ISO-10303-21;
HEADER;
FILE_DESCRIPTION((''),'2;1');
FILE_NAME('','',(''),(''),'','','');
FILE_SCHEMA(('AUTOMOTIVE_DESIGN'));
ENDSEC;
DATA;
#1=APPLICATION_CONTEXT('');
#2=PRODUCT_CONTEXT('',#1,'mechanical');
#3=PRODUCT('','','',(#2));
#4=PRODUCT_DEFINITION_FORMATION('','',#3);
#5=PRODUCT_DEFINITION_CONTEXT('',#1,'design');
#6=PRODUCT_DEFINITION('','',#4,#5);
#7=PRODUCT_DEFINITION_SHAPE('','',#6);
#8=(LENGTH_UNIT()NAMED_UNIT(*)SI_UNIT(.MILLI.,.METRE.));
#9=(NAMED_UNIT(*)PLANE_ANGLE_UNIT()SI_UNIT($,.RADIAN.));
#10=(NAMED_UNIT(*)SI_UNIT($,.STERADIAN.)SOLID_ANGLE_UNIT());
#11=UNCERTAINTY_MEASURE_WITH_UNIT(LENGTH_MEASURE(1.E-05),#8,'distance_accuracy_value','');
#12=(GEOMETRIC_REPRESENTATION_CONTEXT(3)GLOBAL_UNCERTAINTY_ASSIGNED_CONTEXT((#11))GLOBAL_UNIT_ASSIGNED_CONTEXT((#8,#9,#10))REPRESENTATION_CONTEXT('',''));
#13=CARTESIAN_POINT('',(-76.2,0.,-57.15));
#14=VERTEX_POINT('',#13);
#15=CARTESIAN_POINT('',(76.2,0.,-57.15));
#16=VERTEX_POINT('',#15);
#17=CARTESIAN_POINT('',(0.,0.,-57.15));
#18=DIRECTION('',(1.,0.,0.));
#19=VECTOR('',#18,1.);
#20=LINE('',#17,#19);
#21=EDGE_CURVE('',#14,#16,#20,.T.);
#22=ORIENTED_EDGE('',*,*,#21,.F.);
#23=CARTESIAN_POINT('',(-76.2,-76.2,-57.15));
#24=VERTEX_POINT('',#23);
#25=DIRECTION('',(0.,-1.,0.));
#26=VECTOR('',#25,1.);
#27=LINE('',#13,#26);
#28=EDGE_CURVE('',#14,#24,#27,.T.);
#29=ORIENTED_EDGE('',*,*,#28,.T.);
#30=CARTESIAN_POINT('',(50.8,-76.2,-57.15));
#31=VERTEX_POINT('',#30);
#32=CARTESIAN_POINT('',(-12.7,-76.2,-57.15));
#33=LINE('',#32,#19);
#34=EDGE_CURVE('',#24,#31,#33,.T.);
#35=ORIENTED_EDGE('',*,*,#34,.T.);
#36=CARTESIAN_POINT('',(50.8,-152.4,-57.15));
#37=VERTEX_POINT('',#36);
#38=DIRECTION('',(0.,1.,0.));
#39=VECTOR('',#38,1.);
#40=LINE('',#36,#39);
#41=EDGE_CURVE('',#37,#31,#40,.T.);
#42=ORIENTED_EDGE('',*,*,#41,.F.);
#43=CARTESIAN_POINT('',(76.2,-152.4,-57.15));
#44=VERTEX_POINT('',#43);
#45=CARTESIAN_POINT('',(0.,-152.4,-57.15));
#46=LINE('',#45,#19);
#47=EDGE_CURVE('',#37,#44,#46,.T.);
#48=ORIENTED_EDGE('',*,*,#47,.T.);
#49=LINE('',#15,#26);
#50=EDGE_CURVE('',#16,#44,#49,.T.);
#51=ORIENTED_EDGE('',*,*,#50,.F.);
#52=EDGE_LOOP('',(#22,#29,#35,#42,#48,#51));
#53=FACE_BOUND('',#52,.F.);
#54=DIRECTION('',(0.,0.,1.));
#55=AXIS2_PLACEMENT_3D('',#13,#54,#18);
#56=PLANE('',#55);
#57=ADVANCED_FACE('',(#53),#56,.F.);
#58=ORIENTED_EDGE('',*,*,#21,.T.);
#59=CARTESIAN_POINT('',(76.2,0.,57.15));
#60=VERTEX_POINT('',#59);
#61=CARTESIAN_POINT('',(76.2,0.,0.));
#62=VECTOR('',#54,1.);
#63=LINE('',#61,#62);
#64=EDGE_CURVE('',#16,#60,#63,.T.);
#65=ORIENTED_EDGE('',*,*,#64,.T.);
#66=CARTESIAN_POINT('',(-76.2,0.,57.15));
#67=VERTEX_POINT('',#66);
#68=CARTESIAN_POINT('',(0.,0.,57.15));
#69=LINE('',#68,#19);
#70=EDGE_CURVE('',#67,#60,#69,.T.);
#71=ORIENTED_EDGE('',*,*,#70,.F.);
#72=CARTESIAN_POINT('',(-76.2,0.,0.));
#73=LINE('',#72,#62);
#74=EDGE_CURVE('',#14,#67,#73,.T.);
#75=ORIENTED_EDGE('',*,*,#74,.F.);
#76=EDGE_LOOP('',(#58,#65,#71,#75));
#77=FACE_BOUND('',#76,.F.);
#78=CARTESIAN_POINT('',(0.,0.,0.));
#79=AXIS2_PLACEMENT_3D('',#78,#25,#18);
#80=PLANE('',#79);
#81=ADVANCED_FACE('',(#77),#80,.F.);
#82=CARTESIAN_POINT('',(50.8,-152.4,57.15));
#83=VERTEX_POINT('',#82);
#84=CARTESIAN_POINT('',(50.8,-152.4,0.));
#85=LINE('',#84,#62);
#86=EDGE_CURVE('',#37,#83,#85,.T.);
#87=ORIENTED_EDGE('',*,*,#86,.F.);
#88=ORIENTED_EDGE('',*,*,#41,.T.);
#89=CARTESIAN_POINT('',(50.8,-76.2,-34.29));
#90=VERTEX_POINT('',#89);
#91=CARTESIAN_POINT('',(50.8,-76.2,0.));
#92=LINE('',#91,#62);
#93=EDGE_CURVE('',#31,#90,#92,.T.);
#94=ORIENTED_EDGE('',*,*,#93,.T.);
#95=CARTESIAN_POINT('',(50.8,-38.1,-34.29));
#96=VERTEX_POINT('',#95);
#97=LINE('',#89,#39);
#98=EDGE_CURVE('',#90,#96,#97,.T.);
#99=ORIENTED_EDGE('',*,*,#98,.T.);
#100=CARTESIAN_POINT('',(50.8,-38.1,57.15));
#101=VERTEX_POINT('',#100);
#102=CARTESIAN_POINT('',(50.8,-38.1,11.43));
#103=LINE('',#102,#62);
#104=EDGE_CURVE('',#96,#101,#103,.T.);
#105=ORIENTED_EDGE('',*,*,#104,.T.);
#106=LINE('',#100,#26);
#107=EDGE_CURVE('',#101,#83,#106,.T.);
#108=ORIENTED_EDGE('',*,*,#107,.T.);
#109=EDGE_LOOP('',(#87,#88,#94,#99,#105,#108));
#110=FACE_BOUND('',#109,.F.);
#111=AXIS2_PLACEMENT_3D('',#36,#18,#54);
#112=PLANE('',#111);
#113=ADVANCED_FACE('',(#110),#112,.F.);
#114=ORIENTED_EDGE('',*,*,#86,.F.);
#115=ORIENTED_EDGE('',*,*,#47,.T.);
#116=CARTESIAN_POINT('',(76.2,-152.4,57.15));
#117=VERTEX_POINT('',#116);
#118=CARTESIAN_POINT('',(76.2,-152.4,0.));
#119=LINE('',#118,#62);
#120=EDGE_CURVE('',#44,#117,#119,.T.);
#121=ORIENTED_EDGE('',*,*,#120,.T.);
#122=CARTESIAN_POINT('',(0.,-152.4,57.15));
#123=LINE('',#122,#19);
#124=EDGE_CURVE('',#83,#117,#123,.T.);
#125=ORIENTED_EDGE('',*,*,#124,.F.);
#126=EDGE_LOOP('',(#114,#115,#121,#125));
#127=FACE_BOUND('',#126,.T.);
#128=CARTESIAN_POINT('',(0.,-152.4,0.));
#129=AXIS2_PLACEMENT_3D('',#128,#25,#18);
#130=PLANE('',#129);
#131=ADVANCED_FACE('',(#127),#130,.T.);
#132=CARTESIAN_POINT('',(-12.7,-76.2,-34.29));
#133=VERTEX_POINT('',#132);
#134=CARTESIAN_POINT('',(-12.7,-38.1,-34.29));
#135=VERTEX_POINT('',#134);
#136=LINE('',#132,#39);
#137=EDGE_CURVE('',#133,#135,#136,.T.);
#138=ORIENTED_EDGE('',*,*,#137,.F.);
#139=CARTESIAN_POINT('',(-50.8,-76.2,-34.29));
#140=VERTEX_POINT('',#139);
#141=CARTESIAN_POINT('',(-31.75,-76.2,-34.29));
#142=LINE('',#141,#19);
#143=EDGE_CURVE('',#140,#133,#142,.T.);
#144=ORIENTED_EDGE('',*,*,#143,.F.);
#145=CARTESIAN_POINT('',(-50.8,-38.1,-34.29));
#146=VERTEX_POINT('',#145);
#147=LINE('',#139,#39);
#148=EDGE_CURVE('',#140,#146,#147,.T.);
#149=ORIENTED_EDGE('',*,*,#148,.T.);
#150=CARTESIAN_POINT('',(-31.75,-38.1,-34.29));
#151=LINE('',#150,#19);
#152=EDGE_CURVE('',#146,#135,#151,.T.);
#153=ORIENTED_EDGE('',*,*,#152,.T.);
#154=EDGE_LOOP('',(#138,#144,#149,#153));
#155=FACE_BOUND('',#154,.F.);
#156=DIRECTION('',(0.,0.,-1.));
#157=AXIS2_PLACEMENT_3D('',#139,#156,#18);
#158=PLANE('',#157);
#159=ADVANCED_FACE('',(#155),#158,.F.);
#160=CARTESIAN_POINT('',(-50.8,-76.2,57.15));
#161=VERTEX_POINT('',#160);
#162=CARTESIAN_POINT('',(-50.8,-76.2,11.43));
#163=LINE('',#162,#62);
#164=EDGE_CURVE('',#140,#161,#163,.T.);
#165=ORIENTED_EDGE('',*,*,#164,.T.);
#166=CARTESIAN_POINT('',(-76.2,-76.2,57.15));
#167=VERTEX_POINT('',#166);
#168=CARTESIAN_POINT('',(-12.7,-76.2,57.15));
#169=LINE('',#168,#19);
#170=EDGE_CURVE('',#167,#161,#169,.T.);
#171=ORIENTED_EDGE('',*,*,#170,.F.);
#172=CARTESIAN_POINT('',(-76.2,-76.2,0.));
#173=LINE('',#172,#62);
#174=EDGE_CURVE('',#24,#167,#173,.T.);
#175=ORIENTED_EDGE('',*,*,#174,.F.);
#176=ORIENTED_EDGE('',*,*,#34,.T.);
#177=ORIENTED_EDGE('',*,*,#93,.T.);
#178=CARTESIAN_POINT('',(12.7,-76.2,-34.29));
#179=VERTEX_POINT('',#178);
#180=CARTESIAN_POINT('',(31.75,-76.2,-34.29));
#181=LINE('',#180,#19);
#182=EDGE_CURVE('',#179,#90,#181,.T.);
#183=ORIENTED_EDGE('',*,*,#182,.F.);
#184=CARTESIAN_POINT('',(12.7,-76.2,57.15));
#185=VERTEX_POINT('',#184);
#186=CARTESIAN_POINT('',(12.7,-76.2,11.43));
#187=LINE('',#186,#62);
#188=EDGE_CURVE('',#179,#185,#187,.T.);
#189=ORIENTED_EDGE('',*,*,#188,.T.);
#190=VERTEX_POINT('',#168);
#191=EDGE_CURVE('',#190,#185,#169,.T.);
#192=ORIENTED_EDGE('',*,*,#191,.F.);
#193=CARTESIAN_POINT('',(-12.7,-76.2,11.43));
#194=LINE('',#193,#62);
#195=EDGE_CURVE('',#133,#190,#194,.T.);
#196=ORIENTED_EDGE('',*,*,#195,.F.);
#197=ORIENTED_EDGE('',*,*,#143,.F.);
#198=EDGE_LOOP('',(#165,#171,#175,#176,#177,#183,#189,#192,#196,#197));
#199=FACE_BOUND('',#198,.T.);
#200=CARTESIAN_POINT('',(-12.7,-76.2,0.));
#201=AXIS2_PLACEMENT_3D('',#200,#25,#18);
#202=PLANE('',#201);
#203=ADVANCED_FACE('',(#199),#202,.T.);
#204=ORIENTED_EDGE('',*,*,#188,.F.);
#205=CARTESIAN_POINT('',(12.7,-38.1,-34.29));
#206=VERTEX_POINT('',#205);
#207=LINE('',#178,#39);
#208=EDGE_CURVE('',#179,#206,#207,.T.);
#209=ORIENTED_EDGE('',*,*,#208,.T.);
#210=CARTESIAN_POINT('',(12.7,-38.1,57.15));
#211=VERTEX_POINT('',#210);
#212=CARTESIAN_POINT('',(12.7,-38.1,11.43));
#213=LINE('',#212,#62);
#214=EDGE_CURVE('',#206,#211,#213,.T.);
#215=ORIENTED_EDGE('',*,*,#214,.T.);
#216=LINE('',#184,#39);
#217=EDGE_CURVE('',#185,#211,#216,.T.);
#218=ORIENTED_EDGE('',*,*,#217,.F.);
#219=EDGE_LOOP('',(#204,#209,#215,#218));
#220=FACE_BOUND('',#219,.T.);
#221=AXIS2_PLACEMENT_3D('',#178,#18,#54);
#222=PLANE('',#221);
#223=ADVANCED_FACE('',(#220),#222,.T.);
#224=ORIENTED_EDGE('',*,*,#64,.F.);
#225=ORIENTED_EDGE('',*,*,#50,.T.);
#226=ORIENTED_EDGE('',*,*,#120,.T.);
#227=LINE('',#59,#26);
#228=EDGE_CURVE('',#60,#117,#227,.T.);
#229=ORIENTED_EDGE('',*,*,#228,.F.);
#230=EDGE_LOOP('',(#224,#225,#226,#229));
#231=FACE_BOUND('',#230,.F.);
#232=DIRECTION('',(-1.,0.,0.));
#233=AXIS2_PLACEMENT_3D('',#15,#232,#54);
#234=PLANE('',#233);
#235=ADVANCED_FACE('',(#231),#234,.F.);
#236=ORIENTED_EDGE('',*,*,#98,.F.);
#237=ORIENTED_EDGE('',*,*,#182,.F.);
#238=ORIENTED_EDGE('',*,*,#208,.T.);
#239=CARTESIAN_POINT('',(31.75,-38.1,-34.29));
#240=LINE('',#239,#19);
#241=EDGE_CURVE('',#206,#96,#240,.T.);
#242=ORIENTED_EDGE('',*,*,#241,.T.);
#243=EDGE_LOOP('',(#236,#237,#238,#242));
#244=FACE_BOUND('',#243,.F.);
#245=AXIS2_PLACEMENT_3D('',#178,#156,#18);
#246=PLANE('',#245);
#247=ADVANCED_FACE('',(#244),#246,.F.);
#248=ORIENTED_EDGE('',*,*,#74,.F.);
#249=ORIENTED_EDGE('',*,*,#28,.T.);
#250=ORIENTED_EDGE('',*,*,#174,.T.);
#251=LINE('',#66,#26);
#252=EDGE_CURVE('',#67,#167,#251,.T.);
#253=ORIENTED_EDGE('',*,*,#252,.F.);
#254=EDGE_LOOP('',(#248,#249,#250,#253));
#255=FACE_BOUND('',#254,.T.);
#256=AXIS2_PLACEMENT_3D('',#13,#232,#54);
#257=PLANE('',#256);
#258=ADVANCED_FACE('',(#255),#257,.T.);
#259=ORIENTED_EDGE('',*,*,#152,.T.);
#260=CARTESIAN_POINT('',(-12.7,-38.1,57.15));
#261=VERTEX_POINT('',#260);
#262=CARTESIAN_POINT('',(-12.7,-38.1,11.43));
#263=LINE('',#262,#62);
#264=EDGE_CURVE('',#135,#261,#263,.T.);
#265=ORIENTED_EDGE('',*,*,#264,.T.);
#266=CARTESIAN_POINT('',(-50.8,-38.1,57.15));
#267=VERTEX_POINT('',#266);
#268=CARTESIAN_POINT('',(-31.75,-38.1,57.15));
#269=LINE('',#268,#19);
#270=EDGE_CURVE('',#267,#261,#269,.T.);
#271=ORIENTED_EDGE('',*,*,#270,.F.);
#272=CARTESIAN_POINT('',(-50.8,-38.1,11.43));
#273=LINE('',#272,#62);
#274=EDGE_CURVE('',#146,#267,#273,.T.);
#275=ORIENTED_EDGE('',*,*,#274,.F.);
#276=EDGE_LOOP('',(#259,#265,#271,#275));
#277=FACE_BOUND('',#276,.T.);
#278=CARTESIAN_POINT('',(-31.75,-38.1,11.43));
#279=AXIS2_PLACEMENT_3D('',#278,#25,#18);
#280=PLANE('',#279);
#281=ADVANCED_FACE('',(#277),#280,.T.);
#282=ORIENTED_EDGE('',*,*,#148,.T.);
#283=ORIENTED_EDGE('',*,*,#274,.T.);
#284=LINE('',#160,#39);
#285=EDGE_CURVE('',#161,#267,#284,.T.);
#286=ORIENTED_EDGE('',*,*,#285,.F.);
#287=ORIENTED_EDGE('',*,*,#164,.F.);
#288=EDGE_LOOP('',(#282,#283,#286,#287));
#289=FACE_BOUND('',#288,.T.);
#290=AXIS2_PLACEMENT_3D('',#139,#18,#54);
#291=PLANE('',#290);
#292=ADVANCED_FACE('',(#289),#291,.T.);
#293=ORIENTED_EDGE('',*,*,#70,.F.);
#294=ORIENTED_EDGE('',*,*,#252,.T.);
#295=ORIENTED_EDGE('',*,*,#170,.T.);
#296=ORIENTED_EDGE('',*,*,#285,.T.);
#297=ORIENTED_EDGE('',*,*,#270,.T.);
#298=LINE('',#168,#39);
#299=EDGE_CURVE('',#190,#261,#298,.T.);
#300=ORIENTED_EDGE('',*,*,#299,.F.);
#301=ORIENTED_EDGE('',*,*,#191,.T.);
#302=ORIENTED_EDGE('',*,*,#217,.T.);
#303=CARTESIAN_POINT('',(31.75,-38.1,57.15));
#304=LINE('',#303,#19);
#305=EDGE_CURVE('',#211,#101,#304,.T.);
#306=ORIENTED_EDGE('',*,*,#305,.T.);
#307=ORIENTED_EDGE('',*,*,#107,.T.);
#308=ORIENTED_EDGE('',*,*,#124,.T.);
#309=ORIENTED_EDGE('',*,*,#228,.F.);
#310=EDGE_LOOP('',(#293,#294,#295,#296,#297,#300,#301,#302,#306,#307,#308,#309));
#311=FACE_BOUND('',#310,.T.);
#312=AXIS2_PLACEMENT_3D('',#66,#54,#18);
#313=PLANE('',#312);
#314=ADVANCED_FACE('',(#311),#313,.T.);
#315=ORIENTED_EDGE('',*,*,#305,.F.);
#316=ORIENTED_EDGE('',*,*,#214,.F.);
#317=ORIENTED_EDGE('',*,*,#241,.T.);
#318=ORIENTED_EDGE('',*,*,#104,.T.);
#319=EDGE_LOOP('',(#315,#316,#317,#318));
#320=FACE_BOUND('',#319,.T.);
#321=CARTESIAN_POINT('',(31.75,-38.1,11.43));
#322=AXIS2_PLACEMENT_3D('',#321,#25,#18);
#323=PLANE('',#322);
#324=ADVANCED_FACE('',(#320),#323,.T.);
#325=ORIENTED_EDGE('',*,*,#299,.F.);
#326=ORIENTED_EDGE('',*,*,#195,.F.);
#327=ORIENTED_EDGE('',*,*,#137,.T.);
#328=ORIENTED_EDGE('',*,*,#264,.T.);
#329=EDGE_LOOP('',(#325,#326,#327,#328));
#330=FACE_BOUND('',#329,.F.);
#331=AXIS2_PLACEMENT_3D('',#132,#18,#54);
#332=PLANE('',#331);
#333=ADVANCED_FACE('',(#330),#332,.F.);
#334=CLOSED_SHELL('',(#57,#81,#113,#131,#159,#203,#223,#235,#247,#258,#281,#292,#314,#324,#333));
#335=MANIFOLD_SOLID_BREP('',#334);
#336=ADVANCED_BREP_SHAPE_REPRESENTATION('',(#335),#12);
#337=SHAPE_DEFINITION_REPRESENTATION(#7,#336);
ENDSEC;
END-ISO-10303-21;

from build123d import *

# Parameters (mm, degrees)
F0_W     = 152.4
F0_H     = 114.3
F1_DEPTH = 152.4
F2_W     = 127
F2_H     = 114.3
F3_DEPTH = 76.2
F4_W     = 38.1
F4_H     = 91.44
F5_DEPTH = 38.1
F6_DEPTH = 38.1


with BuildPart() as f1:
    # F0 (on Front) → F1 (new body)
    with BuildSketch(Plane.XZ):
        Rectangle(F0_W, F0_H)
    extrude(amount=F1_DEPTH)

    # F2 (on face) → F3 (cut)
    with BuildSketch(Plane.XZ.offset(152.4)):
        with Locations((-12.7, 0)):
            Rectangle(F2_W, F2_H)
    extrude(amount=-F3_DEPTH, mode=Mode.SUBTRACT)

    # F4 (on face) → F5 (cut)
    with BuildSketch(Plane.XZ.offset(76.2)):
        with Locations((-31.75, 11.43)):
            Rectangle(F4_W, F4_H)
    extrude(amount=-F5_DEPTH, mode=Mode.SUBTRACT)

    # F4 (on face) → F6 (cut)
    with BuildSketch(Plane.XZ.offset(76.2)):
        with Locations((31.75, 11.43)):
            Rectangle(F4_W, F4_H)
    extrude(amount=-F6_DEPTH, mode=Mode.SUBTRACT)


solid = f1.part
